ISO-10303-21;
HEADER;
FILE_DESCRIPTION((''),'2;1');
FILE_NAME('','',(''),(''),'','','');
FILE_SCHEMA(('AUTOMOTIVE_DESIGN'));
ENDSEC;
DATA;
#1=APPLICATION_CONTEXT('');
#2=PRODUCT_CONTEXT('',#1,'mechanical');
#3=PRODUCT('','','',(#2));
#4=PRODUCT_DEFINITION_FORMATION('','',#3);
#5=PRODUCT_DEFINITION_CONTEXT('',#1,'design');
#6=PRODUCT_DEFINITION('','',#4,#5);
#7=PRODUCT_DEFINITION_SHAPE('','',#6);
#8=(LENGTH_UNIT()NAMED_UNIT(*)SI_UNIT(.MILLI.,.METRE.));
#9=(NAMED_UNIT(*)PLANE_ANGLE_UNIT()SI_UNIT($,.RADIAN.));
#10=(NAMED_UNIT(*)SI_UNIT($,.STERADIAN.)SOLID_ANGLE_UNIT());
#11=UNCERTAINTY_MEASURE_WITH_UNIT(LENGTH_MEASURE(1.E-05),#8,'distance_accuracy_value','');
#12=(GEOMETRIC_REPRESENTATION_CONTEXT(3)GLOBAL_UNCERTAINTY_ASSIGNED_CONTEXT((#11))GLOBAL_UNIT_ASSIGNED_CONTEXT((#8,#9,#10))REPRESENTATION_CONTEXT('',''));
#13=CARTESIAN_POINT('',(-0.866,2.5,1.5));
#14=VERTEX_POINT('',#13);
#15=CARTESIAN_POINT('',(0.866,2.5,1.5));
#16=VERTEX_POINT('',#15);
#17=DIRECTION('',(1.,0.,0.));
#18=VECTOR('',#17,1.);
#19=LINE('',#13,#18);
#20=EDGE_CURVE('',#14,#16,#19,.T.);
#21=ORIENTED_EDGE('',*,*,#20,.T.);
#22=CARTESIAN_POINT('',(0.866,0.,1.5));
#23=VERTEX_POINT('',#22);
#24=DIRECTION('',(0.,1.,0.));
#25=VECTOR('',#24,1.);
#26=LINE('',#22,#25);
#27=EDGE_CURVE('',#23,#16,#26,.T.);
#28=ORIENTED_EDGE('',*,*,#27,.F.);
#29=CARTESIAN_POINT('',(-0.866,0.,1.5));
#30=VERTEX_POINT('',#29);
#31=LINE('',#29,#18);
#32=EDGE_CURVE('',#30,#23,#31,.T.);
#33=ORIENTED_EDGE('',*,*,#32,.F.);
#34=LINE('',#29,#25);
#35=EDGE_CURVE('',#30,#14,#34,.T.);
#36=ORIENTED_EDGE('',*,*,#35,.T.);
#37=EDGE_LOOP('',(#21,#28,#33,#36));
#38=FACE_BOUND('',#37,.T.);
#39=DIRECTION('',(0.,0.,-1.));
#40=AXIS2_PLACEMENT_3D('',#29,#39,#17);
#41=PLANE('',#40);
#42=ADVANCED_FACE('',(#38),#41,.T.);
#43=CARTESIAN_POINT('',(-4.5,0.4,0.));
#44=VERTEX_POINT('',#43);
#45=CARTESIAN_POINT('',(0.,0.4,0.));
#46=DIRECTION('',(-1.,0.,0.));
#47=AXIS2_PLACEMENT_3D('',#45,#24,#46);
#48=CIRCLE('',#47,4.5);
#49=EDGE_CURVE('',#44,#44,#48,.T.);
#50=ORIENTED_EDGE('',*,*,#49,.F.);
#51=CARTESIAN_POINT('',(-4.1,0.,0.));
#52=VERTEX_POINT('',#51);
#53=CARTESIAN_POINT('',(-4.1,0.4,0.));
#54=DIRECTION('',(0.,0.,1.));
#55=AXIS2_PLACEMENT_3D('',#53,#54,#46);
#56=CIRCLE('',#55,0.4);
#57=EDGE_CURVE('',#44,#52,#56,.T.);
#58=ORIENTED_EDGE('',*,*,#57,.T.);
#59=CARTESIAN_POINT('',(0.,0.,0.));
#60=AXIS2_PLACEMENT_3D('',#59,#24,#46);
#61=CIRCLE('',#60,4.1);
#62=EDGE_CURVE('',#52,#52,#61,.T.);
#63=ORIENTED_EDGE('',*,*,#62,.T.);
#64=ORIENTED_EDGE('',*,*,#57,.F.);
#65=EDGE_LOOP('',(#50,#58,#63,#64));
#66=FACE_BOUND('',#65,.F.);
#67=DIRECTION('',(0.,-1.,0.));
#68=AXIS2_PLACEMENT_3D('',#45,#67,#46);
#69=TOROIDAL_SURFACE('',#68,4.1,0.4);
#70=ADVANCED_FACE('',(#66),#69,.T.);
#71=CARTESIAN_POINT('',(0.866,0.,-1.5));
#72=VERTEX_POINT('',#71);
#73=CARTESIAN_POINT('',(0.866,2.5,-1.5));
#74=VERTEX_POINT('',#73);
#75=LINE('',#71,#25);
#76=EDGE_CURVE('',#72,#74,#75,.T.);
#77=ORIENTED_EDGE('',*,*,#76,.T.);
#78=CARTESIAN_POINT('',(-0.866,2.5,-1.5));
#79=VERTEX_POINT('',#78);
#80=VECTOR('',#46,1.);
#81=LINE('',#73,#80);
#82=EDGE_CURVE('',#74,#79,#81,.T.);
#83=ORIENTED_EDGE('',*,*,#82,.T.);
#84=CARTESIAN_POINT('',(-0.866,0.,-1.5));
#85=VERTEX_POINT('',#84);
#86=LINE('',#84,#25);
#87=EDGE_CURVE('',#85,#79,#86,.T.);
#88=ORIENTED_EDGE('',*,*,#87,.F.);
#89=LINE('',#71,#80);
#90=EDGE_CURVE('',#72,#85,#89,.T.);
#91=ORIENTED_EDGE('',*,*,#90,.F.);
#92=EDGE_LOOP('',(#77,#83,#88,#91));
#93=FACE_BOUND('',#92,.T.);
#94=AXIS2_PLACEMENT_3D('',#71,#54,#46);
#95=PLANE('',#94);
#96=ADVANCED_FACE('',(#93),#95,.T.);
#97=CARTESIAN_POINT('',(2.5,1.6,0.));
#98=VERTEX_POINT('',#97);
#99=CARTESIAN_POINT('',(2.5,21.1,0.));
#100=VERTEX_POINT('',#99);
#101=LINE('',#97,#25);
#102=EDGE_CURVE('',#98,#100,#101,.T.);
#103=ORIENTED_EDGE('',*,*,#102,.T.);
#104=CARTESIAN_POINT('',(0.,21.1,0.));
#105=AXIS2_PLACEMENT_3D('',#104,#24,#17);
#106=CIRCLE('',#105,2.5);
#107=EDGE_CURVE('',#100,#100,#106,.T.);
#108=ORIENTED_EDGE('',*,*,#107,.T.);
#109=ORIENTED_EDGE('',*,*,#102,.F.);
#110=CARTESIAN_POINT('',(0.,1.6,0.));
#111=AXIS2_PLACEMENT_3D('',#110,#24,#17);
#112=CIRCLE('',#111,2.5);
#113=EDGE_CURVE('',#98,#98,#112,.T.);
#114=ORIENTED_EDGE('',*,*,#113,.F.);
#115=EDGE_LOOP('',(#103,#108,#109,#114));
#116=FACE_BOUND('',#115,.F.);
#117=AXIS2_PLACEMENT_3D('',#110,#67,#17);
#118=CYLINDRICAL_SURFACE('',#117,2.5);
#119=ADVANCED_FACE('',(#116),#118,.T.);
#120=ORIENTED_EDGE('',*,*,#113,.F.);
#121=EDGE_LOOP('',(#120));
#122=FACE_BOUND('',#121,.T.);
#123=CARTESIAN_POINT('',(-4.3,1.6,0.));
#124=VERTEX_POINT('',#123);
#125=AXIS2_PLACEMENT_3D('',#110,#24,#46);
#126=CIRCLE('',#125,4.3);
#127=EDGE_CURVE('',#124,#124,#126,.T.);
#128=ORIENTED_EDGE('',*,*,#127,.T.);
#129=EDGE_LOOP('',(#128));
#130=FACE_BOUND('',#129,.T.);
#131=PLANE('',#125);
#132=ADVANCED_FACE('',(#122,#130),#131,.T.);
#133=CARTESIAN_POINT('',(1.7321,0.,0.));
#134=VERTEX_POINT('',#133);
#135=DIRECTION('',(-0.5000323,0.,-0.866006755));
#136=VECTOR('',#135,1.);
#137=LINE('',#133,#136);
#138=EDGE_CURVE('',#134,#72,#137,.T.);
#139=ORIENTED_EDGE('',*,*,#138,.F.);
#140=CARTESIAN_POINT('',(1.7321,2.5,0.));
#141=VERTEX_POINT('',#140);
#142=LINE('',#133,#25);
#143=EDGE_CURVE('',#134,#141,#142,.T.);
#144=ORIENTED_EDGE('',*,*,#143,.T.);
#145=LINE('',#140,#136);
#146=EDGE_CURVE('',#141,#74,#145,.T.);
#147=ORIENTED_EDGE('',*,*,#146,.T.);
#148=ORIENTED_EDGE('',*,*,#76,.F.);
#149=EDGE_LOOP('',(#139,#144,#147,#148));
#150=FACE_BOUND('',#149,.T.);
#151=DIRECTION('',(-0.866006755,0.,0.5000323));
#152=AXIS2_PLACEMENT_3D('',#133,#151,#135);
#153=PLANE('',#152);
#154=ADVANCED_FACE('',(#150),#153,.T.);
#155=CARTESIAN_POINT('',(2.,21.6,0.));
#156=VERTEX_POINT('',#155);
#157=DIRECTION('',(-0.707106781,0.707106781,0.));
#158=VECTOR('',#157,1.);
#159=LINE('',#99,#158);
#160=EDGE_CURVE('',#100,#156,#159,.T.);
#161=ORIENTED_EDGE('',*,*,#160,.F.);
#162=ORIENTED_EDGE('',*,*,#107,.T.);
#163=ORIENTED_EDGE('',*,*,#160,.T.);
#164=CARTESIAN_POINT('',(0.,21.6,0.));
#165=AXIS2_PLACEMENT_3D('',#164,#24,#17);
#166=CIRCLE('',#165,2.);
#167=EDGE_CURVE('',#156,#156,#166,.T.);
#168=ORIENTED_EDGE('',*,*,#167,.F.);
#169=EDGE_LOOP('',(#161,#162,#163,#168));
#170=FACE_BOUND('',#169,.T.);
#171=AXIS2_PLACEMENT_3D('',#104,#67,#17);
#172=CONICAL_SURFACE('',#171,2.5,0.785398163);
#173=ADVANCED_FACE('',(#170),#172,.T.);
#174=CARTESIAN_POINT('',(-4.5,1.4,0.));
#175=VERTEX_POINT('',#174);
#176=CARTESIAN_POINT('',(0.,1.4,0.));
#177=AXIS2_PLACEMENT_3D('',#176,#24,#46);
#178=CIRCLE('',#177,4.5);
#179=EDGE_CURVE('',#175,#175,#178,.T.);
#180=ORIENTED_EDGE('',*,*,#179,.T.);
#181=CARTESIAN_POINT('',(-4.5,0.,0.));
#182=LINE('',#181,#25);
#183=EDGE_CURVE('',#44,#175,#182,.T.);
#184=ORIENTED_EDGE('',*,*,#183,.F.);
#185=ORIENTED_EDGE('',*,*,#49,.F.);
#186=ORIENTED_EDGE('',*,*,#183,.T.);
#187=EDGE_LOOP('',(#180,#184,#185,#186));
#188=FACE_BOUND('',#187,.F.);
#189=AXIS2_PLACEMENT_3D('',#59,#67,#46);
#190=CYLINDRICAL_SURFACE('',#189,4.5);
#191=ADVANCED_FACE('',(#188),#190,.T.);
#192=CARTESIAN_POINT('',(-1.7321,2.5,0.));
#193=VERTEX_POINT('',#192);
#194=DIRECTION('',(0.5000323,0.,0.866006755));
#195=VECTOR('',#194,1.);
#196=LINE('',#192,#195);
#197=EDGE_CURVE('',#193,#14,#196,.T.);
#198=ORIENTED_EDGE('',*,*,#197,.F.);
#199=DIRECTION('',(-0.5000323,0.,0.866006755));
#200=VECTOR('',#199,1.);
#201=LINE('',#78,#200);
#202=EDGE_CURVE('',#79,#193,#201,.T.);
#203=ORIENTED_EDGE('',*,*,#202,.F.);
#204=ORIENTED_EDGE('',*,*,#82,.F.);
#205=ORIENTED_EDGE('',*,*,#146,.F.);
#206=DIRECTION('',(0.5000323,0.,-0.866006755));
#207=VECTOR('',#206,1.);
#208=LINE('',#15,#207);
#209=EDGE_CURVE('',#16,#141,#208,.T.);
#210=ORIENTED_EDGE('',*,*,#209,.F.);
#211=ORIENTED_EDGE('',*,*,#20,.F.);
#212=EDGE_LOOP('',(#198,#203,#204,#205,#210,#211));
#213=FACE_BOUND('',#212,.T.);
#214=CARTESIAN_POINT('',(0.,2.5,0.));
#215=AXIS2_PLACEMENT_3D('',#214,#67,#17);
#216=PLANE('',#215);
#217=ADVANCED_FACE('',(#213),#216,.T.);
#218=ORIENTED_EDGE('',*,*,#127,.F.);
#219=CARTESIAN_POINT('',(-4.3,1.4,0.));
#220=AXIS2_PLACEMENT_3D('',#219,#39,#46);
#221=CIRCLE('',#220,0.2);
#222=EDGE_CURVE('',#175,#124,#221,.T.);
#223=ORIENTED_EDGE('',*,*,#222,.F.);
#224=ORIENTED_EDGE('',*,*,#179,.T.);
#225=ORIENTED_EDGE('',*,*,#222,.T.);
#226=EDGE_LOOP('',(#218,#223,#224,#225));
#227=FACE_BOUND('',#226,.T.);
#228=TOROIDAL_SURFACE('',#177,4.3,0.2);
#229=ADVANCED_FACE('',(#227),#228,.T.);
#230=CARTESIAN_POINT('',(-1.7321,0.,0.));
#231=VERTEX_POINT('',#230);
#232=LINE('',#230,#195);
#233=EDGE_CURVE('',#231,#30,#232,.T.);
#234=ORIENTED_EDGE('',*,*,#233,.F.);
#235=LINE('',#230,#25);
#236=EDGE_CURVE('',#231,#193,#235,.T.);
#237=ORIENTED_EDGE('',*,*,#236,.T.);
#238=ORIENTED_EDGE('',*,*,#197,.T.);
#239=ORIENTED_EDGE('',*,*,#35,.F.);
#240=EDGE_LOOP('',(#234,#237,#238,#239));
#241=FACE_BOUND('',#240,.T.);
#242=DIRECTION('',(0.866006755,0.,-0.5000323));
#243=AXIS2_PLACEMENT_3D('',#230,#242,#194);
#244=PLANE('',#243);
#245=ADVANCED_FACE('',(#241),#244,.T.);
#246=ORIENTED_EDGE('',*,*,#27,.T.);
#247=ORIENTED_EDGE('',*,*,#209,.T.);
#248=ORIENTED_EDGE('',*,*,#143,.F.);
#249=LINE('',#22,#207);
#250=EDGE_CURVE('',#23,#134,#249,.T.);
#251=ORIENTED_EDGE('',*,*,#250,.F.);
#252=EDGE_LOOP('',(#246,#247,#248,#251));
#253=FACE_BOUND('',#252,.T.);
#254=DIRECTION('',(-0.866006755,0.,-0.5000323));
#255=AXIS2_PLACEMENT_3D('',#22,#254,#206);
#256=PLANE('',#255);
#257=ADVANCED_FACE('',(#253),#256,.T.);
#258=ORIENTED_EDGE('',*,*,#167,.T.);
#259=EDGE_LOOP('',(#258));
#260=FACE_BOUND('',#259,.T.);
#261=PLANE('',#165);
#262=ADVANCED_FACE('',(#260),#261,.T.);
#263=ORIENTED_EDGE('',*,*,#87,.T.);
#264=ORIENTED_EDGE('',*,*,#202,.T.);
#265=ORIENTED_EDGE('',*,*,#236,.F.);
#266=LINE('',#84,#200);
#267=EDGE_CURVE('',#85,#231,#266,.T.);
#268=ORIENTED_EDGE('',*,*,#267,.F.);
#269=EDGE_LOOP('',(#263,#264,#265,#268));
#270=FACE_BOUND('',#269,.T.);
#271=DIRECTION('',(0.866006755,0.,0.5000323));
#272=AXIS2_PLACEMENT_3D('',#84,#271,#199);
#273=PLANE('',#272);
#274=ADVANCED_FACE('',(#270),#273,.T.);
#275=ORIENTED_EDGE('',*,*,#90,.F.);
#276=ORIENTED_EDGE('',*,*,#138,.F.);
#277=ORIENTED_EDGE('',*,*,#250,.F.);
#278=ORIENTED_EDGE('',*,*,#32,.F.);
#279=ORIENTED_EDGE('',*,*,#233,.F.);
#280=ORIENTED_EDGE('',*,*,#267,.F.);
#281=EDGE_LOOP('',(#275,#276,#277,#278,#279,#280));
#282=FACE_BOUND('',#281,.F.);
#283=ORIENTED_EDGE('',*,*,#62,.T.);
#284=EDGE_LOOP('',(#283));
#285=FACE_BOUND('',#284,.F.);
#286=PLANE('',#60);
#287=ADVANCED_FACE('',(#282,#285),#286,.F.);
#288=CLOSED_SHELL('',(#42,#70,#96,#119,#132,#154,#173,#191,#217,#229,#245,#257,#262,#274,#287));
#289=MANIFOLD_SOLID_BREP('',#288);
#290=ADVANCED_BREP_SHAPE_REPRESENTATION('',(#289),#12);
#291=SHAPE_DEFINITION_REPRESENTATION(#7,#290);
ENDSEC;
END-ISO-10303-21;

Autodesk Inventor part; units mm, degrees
ref_plane "YZ Plane" through (0, 0, 0) normal (1, 0, 0) x (0, 1, 0)
ref_plane "XZ Plane" through (0, 0, 0) normal (0, 1, 0) x (-1, 0, 0)
ref_plane "XY Plane" through (0, 0, 0) normal (0, 0, 1) x (1, 0, 0)
sketch "Boceto1" plane through (0, 0, 0) normal (0, 1, 0) x (-1, 0, 0)
  circle A0 centre (0, 0) radius 4.5
  dimension "d0" = 9
extrude "Extrusión1" add sketch "Boceto1" along normal blind 1.6
sketch "Boceto2" plane through (0, 1.6, 0) normal (0, 1, 0) x (1, 0, 0)
  circle A0 centre (0, 0) radius 2.5
  dimension "d3" = 5
extrude "Extrusión2" add sketch "Boceto2" along normal blind 20
fillet "Empalme1" radius 0.4 1 edges at (4.5, 0, 0)
fillet "Empalme2" radius 0.2 1 edges at (4.5, 1.6, 0)
sketch "Boceto3" plane through (0, 0, 0) normal (0, -1, 0) x (1, 0, 0)
  line L0 (-1.7321, 0) -> (-0.866, 1.5)
  line L1 (-0.866, 1.5) -> (0.866, 1.5)
  line L2 (0.866, 1.5) -> (1.7321, 0)
  line L3 (1.7321, 0) -> (0.866, -1.5)
  line L4 (0.866, -1.5) -> (-0.866, -1.5)
  line L5 (-0.866, -1.5) -> (-1.7321, 0)
  point P0 (0, 0)
  point P1 (0, 0)
  dimension "d8" = 3
extrude "Extrusión3" cut sketch "Boceto3" against normal blind 2.5
chamfer "Chaflán1" distance 0.5 angle 45 1 edges at (-2.5, 21.6, 0)
thread "Rosca2" size "M5x0.8" class "6g" standard "ANSI Metric M Profile" length 18 offset 2
properties part number "Perno M5x8 cabeza plana" material "Hierro, gris"
